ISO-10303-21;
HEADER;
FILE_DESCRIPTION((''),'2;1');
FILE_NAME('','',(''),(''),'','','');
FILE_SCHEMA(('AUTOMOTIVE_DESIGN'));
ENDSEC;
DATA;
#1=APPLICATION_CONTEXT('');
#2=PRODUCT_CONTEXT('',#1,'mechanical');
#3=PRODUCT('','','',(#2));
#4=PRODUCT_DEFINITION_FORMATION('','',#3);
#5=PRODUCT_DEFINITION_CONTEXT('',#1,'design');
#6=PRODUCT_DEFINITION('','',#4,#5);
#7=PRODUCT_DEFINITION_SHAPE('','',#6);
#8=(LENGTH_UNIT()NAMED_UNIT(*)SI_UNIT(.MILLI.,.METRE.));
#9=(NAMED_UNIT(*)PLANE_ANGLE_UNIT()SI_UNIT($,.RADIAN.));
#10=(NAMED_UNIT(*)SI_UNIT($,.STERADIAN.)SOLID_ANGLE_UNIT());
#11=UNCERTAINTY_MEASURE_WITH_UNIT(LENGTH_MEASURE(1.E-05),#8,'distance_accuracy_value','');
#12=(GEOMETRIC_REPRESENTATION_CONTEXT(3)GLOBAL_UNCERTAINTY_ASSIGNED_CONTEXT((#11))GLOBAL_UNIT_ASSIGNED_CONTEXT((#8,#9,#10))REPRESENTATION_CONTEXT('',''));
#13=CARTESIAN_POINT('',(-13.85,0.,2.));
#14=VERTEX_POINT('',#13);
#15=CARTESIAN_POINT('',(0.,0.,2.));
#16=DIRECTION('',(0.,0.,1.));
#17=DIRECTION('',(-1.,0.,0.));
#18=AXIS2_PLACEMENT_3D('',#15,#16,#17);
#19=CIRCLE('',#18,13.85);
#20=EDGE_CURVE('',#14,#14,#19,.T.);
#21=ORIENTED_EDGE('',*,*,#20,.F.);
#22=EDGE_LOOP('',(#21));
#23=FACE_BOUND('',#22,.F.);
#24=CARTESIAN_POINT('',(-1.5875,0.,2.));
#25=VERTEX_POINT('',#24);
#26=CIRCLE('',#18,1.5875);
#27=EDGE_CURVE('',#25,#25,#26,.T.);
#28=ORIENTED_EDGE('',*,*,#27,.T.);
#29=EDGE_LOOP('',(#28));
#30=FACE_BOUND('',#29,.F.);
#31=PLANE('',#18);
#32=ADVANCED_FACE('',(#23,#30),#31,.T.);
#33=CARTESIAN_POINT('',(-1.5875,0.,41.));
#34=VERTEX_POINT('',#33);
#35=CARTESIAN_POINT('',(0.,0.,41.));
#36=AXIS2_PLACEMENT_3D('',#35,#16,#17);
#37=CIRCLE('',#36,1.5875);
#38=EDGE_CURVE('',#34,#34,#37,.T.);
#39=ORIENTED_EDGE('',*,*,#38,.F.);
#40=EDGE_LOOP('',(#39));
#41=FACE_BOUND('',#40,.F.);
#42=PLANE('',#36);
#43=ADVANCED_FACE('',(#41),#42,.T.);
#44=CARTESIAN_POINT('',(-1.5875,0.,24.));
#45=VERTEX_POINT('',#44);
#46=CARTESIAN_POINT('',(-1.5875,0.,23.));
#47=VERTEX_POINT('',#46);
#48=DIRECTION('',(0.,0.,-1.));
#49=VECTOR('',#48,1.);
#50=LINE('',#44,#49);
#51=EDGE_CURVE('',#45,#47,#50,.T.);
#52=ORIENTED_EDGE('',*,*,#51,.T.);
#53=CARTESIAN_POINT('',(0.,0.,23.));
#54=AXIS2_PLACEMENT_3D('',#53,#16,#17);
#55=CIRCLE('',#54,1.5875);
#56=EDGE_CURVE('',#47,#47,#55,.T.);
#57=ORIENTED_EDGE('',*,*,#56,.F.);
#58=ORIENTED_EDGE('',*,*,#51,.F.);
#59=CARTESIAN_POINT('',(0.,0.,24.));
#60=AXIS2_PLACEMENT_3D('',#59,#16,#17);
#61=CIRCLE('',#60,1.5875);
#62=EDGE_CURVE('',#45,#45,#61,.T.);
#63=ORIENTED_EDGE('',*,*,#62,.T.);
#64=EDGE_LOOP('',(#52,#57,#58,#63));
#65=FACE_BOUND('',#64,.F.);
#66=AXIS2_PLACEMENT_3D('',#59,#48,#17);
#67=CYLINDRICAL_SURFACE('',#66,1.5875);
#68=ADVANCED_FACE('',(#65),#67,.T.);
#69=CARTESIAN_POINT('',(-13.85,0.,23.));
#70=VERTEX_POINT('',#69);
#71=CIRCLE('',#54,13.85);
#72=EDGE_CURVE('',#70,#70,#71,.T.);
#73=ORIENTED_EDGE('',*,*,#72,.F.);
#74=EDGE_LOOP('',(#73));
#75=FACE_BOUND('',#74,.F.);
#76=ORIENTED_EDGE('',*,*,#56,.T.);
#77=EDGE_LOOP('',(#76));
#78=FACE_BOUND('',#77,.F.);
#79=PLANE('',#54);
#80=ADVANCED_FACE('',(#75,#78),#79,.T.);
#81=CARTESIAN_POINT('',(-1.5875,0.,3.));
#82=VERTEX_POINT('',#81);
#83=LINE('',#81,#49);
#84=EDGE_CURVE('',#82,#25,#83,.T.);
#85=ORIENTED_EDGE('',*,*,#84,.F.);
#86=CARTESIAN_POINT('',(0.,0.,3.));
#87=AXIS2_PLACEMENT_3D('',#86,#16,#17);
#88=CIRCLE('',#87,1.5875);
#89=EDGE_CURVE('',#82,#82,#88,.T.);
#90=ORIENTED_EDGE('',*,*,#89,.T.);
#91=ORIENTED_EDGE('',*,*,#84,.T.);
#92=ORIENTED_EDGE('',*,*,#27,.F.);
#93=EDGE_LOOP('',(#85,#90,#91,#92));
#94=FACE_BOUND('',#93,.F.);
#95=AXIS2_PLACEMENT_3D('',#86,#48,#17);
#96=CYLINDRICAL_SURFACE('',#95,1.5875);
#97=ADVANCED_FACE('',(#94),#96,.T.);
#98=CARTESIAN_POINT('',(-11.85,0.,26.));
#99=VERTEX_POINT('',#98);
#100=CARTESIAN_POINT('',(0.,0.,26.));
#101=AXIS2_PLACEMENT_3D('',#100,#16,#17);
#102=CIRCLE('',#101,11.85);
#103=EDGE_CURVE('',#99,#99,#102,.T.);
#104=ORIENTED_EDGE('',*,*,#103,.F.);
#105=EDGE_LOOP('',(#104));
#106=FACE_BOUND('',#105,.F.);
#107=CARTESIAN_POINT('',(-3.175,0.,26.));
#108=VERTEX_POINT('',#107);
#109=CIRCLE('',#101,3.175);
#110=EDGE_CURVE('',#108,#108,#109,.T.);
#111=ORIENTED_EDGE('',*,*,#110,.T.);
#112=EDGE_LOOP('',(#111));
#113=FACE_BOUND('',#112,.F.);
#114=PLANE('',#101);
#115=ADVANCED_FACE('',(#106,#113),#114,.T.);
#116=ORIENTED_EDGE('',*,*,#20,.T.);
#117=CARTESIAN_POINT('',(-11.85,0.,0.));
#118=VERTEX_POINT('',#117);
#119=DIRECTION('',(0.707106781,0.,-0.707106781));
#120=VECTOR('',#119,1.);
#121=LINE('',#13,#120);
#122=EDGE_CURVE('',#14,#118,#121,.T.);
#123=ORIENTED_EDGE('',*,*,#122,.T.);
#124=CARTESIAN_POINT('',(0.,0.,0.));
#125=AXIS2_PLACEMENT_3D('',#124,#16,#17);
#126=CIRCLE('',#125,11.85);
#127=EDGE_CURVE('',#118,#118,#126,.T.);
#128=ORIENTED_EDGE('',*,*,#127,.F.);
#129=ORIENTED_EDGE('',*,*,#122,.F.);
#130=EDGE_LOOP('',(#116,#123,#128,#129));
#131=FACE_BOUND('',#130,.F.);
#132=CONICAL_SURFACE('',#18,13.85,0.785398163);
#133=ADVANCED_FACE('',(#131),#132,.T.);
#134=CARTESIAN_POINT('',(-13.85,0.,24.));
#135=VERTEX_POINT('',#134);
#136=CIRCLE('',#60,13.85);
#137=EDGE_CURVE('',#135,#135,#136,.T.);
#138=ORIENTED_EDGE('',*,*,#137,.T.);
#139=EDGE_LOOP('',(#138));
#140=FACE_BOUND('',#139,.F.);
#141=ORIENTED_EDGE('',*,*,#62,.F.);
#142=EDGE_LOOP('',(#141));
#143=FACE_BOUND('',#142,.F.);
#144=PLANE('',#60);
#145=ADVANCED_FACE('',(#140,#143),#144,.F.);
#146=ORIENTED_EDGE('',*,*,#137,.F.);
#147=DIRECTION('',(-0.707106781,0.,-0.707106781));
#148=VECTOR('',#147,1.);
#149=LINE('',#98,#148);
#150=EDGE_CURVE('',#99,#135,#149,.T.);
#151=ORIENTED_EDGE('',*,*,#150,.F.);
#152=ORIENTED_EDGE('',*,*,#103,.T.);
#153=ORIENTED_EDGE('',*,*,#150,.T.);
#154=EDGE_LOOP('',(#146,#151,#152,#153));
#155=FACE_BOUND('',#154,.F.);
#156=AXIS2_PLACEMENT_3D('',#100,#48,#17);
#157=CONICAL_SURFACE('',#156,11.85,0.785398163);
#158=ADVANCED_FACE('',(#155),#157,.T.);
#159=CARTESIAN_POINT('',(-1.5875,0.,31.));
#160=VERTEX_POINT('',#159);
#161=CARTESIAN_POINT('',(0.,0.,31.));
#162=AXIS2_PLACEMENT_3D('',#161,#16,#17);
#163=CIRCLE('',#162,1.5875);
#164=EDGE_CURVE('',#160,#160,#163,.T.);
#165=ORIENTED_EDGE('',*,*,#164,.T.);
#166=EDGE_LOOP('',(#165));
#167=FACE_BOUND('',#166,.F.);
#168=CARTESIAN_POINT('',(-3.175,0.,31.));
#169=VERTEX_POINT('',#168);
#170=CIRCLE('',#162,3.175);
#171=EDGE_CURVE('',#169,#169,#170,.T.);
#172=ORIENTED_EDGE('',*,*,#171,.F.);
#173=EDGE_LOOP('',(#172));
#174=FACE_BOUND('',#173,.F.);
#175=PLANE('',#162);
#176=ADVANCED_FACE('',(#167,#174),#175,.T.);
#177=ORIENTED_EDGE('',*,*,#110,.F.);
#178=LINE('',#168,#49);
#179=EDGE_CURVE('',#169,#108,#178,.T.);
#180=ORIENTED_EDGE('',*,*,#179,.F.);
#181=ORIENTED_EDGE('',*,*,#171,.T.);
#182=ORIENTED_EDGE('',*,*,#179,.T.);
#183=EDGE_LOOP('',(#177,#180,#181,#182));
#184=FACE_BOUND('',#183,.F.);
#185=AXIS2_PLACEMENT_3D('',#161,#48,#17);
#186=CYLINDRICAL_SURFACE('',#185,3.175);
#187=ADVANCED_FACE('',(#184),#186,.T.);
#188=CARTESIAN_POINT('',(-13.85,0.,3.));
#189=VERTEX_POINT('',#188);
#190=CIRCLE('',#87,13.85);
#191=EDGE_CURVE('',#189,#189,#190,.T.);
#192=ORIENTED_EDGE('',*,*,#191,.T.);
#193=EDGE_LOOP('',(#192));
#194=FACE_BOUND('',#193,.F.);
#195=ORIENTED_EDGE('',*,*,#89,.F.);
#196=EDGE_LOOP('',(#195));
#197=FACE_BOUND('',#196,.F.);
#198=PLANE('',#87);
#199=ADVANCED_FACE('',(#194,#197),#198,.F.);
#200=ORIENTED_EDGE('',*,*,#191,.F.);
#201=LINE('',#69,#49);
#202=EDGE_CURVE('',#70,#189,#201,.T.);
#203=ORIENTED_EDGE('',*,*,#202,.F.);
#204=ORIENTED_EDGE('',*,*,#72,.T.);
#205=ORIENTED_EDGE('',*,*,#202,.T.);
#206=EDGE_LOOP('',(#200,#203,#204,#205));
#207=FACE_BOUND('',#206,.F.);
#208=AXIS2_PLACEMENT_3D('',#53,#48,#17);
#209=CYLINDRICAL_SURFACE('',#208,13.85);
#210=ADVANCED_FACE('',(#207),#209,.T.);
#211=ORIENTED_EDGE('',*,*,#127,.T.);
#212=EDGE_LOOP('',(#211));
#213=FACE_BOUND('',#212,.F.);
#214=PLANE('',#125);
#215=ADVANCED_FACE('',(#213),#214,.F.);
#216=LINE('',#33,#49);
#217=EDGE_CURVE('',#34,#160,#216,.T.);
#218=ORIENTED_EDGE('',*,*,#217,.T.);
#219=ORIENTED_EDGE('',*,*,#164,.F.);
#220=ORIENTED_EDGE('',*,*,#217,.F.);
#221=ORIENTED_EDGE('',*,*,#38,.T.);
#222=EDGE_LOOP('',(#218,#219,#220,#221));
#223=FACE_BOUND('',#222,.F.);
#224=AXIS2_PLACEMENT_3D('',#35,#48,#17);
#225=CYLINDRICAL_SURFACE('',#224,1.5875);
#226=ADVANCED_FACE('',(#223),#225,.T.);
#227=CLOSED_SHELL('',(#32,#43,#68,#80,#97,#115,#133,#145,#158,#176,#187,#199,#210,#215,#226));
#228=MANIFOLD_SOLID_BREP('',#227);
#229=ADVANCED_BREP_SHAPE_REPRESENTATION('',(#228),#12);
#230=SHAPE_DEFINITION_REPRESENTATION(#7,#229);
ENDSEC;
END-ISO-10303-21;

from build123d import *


with BuildPart() as f1:
    # F0 (on Front) → F1 (revolve)
    with BuildSketch(Plane.XZ):
        Polygon((-11.85, 0), (0, 0), (0, 2), (0, 3), (0, 23), (0, 24), (0, 26), (0, 31), (0, 41), (-1.5875, 41), (-1.5875, 31), (-3.175, 31), (-3.175, 26), (-11.85, 26), (-13.85, 24), (-1.5875, 24), (-1.5875, 23), (-13.85, 23), (-13.85, 3), (-1.5875, 3), (-1.5875, 2), (-13.85, 2), align=None)
    revolve(axis=Axis((0, 0, 13), (0, 0, 1)))


solid = f1.part
